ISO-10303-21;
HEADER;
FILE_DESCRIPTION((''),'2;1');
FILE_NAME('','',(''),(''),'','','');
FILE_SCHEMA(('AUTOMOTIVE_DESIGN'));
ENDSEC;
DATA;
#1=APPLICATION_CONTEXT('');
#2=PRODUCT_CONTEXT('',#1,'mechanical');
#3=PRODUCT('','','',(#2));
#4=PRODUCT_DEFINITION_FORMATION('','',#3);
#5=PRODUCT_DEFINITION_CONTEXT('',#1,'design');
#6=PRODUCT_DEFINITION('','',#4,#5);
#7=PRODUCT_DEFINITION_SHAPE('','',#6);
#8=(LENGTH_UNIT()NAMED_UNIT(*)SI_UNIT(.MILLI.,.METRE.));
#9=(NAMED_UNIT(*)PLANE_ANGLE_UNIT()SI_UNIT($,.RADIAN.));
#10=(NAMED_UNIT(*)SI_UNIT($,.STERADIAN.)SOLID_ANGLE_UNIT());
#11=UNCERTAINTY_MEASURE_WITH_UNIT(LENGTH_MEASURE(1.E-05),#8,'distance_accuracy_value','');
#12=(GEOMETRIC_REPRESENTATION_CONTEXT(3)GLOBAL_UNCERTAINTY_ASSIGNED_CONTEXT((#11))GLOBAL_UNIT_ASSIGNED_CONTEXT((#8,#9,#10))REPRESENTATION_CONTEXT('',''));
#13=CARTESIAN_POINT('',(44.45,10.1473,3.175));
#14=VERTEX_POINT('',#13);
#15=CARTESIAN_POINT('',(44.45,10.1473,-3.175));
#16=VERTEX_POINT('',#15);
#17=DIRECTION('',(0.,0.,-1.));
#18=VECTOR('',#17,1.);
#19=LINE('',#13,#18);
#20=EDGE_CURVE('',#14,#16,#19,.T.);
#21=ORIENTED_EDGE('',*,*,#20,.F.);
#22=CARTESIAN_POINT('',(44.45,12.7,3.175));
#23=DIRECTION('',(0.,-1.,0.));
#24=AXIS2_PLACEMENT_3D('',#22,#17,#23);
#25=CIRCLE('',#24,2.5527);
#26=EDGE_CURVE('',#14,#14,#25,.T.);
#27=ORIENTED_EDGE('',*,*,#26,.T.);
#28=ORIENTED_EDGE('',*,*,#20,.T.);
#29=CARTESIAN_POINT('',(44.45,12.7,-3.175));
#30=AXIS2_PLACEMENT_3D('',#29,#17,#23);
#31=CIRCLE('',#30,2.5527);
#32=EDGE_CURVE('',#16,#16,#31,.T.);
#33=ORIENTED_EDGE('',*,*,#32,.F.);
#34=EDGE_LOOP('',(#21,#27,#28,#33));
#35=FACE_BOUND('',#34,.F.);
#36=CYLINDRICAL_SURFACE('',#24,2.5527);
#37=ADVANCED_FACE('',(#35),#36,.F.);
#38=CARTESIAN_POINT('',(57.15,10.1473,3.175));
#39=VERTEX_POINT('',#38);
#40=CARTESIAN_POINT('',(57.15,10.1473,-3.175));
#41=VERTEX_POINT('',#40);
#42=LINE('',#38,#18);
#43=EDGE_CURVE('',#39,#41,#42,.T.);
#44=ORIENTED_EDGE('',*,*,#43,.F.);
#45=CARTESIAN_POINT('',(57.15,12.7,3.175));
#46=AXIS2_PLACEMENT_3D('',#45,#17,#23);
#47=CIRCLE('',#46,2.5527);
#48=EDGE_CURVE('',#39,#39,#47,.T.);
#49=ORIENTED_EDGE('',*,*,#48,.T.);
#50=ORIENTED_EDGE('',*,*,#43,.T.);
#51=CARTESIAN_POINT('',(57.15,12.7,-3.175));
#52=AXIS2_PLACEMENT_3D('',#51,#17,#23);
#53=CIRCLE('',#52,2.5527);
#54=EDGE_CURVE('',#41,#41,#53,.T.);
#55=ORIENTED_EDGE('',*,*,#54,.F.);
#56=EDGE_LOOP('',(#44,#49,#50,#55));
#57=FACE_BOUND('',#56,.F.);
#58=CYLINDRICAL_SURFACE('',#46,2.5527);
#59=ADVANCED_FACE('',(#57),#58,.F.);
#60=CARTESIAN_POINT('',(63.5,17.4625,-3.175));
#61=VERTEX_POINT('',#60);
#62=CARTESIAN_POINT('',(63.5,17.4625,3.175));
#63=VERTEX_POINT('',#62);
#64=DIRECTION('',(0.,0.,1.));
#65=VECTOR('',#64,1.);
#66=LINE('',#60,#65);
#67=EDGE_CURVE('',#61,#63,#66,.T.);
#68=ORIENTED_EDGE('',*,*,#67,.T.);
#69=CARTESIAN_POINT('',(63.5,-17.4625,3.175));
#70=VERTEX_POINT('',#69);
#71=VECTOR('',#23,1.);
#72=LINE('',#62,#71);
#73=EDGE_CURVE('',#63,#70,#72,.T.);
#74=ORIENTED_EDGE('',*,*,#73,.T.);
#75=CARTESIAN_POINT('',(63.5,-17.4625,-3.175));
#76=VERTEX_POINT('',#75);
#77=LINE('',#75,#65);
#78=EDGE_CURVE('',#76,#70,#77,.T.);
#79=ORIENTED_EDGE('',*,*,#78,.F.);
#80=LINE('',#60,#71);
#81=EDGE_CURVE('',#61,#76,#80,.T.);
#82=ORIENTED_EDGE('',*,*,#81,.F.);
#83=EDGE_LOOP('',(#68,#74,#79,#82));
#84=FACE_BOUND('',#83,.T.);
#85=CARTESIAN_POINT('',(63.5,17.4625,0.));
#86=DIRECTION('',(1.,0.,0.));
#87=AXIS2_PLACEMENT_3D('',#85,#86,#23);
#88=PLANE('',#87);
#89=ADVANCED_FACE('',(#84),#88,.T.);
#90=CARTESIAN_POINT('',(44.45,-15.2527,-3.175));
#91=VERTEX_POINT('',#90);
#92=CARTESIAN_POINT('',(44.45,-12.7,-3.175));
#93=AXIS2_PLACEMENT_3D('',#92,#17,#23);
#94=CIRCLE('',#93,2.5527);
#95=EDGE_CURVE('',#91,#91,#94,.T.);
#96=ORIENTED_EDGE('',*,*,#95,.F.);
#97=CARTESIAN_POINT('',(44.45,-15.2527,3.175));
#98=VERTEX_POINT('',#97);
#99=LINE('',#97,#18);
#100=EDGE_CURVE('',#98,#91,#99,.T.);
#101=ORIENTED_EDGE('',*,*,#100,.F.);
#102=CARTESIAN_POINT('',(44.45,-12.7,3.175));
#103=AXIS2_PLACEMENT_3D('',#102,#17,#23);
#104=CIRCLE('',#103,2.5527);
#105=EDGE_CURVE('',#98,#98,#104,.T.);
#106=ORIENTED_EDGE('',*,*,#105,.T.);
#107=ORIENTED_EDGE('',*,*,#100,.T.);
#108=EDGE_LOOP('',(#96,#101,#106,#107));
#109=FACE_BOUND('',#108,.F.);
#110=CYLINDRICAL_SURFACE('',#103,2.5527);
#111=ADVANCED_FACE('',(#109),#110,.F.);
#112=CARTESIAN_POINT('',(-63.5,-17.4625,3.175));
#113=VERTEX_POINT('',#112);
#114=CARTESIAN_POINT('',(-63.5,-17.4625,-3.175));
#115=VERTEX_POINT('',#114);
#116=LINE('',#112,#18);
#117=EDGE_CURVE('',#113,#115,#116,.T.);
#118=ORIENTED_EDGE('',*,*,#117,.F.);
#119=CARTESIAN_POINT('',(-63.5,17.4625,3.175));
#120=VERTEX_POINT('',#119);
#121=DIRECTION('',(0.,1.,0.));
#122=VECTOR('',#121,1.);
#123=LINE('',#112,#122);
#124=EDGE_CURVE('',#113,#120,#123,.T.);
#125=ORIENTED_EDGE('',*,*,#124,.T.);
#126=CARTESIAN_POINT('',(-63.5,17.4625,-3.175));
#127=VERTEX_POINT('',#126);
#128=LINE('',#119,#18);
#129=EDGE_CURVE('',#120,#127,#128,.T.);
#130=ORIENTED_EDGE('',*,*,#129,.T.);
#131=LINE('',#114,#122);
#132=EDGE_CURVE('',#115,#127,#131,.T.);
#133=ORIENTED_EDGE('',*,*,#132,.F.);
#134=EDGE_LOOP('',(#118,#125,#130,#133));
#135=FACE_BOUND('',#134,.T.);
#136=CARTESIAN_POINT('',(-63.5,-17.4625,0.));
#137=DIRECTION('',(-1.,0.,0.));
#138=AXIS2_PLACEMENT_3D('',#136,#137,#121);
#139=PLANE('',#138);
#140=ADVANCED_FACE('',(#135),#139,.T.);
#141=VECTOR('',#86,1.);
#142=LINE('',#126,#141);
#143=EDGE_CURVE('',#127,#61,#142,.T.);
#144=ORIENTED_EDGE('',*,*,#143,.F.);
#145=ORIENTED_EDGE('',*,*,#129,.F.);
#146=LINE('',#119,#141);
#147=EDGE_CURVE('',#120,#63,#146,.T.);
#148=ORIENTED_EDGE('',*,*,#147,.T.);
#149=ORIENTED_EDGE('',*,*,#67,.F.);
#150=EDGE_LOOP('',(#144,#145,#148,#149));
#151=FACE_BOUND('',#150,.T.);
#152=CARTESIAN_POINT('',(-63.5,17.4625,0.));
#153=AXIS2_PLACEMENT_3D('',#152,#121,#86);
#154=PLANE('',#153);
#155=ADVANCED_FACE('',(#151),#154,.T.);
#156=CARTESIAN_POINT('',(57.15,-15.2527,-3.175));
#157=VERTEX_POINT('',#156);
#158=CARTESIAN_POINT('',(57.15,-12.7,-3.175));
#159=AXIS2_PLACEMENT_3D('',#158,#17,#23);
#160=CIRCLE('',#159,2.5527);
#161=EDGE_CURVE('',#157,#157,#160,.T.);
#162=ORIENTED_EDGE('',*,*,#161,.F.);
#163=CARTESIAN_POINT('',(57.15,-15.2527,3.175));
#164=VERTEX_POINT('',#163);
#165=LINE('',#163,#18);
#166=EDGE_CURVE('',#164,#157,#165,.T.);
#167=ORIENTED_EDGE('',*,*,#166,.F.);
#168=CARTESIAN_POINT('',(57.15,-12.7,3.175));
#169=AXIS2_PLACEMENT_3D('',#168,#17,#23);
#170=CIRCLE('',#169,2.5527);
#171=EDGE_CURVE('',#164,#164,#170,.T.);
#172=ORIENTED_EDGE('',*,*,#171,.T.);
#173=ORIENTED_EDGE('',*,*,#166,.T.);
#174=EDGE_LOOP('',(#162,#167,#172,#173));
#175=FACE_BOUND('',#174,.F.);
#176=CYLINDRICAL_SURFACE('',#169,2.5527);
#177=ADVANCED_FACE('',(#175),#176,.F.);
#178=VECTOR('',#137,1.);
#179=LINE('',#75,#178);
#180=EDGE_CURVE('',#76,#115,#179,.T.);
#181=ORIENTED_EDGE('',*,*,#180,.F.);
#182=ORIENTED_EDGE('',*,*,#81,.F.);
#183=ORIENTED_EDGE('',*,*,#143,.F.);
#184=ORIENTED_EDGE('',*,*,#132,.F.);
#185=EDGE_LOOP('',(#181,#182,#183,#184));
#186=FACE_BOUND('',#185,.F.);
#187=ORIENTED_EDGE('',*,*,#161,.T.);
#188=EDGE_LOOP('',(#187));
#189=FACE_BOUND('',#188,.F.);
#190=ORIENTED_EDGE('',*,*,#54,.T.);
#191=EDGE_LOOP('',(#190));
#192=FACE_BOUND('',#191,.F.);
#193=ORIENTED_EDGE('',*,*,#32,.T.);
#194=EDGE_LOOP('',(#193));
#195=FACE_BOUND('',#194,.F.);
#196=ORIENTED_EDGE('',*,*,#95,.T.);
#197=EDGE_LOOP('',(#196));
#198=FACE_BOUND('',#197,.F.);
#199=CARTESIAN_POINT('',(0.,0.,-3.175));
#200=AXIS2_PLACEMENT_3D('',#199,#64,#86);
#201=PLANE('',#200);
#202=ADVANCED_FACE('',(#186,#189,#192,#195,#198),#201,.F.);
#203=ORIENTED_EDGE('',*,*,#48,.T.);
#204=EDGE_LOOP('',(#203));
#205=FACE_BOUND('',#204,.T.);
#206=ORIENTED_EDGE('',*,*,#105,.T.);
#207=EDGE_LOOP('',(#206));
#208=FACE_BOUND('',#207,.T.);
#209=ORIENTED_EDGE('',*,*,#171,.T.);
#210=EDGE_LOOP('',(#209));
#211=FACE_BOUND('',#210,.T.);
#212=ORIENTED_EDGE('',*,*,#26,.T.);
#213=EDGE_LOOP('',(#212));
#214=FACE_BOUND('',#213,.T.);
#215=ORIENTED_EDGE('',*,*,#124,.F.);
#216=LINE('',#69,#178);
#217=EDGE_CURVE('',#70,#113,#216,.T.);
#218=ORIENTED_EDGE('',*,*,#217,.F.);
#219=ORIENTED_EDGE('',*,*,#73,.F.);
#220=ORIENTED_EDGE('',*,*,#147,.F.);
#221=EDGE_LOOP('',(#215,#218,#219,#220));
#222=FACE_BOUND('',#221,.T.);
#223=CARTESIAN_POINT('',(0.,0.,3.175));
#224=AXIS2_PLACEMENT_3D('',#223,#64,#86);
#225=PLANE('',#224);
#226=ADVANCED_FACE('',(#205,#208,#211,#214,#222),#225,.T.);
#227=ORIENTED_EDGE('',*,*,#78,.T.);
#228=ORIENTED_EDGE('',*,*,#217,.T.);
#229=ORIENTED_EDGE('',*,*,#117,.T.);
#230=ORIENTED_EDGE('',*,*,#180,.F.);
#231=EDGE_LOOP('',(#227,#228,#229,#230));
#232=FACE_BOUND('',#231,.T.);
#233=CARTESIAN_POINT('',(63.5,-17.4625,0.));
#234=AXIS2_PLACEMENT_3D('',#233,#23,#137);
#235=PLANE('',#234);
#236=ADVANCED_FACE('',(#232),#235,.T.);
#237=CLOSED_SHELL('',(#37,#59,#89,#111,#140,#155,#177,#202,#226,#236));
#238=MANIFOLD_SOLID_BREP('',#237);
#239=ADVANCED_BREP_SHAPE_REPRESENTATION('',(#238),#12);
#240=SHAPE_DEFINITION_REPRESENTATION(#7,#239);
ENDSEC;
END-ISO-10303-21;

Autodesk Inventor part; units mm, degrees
ref_plane "YZ Plane" through (0, 0, 0) normal (1, 0, 0) x (0, 1, 0)
ref_plane "XZ Plane" through (0, 0, 0) normal (0, 1, 0) x (-1, 0, 0)
ref_plane "XY Plane" through (0, 0, 0) normal (0, 0, 1) x (1, 0, 0)
sketch "Sketch1" plane through (0, 0, 0) normal (0, 0, 1) x (1, 0, 0)
  line L0 (63.5, -17.4625) -> (-63.5, -17.4625)
  line L1 (-63.5, -17.4625) -> (-63.5, 17.4625)
  line L2 (-63.5, 17.4625) -> (63.5, 17.4625)
  line L3 (63.5, 17.4625) -> (63.5, -17.4625)
  line L4 (63.5, -17.4625) -> (-63.5, 17.4625) construction
  line L5 (-63.5, -17.4625) -> (63.5, 17.4625) construction
  point P0 (0, 0)
  dimension "d0" = 34.925
  dimension "d1" = 127
extrude "Extrusion1" add sketch "Sketch1" along normal mid plane 6.35
sketch "Sketch2" plane through (0, 0, 3.175) normal (0, 0, 1) x (1, 0, 0)
  line L0 (44.45, 12.7) -> (57.15, 12.7) construction
  line L1 (57.15, 12.7) -> (57.15, -12.7) construction
  line L2 (57.15, -12.7) -> (44.45, -12.7) construction
  line L3 (44.45, -12.7) -> (44.45, 12.7) construction
  line L4 (44.45, 12.7) -> (57.15, -12.7) construction
  line L5 (57.15, 12.7) -> (44.45, -12.7) construction
  line L6 (0, -24.4475) -> (0, 24.4475) construction
  line L7 (-88.9, 0) -> (88.9, 0) construction
  line L8 (63.5, -17.4625) -> (63.5, 17.4625) construction
  point P0 (0, 0)
  point P1 (50.8, 0)
  dimension "d4" = 25.4
  dimension "d5" = 12.7
  dimension "d14" = 12.7
hole "Hole1" at (57.15, -12.7, 3.175) at (44.45, -12.7, 3.175) at (44.45, 12.7, 3.175) at (57.15, 12.7, 3.175) direction (0, 0, -1) diameter 5.1054 end through all clearance for "Flat Head Machine Screw (82)" size "#10" standard "Ansi Unified Screw Threads"
properties part number "PLATE,HINGE,FRONT,INTAKE"
